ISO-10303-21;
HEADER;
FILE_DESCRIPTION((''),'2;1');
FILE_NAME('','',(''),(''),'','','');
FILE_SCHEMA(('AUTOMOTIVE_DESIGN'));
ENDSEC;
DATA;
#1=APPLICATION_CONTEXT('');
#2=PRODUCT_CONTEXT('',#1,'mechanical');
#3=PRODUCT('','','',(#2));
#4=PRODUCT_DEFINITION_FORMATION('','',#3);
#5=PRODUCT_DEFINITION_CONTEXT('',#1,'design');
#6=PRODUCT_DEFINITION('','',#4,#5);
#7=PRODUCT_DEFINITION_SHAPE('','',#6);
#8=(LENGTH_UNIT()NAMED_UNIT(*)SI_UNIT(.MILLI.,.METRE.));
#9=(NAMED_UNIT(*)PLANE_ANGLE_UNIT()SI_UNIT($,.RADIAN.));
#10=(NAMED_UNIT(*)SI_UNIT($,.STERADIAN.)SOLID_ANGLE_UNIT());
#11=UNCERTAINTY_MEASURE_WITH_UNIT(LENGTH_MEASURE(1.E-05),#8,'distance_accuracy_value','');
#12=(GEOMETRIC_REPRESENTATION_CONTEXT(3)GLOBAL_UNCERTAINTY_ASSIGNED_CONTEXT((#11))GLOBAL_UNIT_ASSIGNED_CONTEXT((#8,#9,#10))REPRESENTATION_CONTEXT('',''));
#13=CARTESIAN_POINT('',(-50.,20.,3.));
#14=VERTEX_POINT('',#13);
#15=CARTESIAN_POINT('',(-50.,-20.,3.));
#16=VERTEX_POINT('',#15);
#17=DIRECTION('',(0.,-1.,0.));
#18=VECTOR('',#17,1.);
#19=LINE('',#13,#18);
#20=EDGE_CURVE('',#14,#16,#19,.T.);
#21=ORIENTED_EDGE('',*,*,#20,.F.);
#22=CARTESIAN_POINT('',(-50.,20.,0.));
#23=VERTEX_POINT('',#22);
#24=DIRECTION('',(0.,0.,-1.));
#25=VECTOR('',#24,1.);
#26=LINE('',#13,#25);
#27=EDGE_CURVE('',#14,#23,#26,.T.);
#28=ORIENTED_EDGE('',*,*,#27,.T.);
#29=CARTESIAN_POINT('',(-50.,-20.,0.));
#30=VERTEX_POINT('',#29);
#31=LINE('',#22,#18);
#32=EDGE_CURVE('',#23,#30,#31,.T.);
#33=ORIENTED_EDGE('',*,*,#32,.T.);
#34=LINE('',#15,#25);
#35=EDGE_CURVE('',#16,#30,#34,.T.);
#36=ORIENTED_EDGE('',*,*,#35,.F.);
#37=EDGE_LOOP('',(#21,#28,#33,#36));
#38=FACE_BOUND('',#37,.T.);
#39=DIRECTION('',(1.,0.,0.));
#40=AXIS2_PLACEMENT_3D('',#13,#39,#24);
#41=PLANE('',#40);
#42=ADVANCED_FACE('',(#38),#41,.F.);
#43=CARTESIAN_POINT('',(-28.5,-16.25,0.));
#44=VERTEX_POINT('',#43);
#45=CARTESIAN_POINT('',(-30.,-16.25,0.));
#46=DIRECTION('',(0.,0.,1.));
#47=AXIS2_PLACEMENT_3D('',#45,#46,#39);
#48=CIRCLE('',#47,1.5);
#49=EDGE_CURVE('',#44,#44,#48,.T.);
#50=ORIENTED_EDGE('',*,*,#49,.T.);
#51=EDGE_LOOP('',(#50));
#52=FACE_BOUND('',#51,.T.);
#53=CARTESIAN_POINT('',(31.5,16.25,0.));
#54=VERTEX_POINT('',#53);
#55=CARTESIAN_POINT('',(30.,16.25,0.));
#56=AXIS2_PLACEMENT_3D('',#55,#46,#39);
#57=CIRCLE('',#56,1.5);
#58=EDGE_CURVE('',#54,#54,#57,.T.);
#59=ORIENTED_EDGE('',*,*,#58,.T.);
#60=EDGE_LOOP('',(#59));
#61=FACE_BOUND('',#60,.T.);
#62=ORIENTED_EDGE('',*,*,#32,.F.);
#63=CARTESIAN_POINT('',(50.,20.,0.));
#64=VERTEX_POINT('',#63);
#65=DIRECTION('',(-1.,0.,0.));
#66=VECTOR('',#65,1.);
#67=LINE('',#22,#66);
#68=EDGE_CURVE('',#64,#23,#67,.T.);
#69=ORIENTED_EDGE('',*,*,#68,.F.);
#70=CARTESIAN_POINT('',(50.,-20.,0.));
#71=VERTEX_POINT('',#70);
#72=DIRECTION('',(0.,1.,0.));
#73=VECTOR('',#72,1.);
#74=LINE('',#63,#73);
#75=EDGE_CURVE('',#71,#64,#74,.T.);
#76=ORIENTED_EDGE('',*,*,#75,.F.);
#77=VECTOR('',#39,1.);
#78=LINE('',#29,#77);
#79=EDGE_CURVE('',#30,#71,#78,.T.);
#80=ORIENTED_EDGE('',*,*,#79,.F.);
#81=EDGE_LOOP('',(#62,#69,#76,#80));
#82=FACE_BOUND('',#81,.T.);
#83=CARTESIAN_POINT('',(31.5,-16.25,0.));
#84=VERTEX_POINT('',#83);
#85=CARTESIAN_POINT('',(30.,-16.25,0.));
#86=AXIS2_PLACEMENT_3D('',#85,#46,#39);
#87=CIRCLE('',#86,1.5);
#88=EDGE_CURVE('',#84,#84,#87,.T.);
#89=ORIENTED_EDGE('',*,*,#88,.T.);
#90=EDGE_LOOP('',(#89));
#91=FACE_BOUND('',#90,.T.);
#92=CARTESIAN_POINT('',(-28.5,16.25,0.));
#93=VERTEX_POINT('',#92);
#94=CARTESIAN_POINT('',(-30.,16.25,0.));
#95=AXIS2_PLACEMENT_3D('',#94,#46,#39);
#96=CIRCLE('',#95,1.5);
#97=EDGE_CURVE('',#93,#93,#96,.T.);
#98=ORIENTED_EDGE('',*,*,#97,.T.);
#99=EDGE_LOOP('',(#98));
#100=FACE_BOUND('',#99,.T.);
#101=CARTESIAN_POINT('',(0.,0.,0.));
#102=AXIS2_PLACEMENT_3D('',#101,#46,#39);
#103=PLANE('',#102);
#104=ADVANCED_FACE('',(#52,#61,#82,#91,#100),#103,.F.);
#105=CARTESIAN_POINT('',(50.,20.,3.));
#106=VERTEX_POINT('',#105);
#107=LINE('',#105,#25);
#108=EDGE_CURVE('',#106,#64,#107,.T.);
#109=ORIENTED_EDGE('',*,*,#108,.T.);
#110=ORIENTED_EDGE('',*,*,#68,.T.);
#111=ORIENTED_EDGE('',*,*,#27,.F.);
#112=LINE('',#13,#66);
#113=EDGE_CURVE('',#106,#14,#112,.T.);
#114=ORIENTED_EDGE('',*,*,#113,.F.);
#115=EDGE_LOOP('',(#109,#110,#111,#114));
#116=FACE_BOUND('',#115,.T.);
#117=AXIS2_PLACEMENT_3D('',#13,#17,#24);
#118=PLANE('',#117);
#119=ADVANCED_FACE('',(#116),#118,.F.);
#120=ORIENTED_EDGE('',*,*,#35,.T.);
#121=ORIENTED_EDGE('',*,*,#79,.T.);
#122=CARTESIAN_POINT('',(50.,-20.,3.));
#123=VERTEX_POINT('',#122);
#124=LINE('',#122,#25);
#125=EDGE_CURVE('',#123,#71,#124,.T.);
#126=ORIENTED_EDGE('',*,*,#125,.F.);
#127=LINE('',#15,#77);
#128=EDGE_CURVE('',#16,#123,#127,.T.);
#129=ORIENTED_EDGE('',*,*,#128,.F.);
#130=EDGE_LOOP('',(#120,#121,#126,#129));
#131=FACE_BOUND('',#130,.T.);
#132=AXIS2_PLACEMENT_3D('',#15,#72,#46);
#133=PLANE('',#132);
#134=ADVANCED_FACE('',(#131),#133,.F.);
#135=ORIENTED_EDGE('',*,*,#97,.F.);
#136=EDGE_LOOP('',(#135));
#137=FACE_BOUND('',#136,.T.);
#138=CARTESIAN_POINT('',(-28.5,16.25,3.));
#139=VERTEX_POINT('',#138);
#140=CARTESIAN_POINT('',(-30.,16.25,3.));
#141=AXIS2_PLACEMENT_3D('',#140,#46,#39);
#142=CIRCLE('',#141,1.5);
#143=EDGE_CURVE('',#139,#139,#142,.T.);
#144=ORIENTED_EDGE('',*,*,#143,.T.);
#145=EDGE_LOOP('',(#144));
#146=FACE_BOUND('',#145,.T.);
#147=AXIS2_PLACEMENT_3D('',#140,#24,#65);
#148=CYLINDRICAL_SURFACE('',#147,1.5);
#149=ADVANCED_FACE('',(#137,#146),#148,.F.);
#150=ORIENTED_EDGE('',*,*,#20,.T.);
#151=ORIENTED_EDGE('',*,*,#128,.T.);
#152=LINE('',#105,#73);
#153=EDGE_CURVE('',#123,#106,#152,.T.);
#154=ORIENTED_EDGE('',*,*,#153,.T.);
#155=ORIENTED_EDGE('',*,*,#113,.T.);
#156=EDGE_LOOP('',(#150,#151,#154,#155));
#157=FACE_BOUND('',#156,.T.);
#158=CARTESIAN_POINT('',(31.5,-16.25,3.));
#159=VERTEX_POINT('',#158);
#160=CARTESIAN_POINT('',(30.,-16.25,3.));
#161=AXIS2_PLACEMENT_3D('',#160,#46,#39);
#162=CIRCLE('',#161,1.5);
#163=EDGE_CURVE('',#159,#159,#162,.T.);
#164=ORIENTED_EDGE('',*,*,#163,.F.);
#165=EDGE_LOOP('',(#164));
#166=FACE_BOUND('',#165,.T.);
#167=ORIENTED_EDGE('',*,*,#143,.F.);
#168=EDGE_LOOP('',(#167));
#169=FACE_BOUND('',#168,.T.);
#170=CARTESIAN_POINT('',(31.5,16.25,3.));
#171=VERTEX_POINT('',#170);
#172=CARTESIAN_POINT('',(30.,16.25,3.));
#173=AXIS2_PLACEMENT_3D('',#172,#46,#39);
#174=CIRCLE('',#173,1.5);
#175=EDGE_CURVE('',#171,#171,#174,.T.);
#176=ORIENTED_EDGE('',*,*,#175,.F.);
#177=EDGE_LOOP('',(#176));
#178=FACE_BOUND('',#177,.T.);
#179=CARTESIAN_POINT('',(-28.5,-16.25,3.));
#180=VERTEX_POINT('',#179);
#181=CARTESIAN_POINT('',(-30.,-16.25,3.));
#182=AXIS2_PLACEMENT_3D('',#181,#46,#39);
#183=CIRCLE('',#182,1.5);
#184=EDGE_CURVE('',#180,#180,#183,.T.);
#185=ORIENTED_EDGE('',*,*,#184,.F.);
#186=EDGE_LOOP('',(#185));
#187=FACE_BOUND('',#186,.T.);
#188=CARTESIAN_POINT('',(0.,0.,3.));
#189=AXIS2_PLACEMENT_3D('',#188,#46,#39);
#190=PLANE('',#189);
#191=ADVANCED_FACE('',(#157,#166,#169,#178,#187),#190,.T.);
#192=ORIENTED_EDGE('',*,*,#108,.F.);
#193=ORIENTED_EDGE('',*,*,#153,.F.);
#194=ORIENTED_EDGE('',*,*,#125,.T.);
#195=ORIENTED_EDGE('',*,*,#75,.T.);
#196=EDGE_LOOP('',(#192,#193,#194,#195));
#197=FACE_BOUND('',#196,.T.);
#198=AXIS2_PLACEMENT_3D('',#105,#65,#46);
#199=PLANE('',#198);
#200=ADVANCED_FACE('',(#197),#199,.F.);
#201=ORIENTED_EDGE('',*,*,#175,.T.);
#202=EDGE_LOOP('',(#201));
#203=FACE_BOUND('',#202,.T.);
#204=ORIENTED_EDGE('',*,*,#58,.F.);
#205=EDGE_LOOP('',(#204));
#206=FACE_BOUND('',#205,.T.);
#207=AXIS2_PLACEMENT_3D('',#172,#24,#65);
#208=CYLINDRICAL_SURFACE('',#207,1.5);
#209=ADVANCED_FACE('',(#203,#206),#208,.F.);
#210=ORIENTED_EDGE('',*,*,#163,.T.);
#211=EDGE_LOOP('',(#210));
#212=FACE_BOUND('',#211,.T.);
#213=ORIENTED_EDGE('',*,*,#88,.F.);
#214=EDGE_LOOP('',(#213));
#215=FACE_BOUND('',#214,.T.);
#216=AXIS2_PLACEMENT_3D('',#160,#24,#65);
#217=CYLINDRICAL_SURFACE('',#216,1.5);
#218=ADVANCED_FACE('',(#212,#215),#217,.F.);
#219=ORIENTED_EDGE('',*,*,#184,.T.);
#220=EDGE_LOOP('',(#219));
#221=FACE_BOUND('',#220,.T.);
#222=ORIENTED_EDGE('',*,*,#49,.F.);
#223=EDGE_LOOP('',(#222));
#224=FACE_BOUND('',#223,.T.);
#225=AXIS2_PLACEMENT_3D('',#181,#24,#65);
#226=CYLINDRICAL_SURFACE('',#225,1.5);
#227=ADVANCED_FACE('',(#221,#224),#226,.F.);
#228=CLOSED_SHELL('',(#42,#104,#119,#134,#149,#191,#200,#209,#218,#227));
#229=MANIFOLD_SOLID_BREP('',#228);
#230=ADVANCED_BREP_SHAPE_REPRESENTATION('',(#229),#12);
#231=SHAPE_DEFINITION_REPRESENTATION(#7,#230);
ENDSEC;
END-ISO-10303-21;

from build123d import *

# Parameters (mm, degrees)
SKETCH1_W           = 100
SKETCH1_H           = 40
SKETCH1_R           = 1.5
BOSS_EXTRUDE1_DEPTH = 3


with BuildPart() as part:
    # Sketch1 → Boss-Extrude1 (new body)
    with BuildSketch(Plane.XY):
        Rectangle(SKETCH1_W, SKETCH1_H)
        with Locations((-30, 16.25)):
            Circle(SKETCH1_R, mode=Mode.SUBTRACT)
        with Locations((30, 16.25)):
            Circle(SKETCH1_R, mode=Mode.SUBTRACT)
        with Locations((30, -16.25)):
            Circle(SKETCH1_R, mode=Mode.SUBTRACT)
        with Locations((-30, -16.25)):
            Circle(SKETCH1_R, mode=Mode.SUBTRACT)
    extrude(amount=BOSS_EXTRUDE1_DEPTH)


solid = part.part
